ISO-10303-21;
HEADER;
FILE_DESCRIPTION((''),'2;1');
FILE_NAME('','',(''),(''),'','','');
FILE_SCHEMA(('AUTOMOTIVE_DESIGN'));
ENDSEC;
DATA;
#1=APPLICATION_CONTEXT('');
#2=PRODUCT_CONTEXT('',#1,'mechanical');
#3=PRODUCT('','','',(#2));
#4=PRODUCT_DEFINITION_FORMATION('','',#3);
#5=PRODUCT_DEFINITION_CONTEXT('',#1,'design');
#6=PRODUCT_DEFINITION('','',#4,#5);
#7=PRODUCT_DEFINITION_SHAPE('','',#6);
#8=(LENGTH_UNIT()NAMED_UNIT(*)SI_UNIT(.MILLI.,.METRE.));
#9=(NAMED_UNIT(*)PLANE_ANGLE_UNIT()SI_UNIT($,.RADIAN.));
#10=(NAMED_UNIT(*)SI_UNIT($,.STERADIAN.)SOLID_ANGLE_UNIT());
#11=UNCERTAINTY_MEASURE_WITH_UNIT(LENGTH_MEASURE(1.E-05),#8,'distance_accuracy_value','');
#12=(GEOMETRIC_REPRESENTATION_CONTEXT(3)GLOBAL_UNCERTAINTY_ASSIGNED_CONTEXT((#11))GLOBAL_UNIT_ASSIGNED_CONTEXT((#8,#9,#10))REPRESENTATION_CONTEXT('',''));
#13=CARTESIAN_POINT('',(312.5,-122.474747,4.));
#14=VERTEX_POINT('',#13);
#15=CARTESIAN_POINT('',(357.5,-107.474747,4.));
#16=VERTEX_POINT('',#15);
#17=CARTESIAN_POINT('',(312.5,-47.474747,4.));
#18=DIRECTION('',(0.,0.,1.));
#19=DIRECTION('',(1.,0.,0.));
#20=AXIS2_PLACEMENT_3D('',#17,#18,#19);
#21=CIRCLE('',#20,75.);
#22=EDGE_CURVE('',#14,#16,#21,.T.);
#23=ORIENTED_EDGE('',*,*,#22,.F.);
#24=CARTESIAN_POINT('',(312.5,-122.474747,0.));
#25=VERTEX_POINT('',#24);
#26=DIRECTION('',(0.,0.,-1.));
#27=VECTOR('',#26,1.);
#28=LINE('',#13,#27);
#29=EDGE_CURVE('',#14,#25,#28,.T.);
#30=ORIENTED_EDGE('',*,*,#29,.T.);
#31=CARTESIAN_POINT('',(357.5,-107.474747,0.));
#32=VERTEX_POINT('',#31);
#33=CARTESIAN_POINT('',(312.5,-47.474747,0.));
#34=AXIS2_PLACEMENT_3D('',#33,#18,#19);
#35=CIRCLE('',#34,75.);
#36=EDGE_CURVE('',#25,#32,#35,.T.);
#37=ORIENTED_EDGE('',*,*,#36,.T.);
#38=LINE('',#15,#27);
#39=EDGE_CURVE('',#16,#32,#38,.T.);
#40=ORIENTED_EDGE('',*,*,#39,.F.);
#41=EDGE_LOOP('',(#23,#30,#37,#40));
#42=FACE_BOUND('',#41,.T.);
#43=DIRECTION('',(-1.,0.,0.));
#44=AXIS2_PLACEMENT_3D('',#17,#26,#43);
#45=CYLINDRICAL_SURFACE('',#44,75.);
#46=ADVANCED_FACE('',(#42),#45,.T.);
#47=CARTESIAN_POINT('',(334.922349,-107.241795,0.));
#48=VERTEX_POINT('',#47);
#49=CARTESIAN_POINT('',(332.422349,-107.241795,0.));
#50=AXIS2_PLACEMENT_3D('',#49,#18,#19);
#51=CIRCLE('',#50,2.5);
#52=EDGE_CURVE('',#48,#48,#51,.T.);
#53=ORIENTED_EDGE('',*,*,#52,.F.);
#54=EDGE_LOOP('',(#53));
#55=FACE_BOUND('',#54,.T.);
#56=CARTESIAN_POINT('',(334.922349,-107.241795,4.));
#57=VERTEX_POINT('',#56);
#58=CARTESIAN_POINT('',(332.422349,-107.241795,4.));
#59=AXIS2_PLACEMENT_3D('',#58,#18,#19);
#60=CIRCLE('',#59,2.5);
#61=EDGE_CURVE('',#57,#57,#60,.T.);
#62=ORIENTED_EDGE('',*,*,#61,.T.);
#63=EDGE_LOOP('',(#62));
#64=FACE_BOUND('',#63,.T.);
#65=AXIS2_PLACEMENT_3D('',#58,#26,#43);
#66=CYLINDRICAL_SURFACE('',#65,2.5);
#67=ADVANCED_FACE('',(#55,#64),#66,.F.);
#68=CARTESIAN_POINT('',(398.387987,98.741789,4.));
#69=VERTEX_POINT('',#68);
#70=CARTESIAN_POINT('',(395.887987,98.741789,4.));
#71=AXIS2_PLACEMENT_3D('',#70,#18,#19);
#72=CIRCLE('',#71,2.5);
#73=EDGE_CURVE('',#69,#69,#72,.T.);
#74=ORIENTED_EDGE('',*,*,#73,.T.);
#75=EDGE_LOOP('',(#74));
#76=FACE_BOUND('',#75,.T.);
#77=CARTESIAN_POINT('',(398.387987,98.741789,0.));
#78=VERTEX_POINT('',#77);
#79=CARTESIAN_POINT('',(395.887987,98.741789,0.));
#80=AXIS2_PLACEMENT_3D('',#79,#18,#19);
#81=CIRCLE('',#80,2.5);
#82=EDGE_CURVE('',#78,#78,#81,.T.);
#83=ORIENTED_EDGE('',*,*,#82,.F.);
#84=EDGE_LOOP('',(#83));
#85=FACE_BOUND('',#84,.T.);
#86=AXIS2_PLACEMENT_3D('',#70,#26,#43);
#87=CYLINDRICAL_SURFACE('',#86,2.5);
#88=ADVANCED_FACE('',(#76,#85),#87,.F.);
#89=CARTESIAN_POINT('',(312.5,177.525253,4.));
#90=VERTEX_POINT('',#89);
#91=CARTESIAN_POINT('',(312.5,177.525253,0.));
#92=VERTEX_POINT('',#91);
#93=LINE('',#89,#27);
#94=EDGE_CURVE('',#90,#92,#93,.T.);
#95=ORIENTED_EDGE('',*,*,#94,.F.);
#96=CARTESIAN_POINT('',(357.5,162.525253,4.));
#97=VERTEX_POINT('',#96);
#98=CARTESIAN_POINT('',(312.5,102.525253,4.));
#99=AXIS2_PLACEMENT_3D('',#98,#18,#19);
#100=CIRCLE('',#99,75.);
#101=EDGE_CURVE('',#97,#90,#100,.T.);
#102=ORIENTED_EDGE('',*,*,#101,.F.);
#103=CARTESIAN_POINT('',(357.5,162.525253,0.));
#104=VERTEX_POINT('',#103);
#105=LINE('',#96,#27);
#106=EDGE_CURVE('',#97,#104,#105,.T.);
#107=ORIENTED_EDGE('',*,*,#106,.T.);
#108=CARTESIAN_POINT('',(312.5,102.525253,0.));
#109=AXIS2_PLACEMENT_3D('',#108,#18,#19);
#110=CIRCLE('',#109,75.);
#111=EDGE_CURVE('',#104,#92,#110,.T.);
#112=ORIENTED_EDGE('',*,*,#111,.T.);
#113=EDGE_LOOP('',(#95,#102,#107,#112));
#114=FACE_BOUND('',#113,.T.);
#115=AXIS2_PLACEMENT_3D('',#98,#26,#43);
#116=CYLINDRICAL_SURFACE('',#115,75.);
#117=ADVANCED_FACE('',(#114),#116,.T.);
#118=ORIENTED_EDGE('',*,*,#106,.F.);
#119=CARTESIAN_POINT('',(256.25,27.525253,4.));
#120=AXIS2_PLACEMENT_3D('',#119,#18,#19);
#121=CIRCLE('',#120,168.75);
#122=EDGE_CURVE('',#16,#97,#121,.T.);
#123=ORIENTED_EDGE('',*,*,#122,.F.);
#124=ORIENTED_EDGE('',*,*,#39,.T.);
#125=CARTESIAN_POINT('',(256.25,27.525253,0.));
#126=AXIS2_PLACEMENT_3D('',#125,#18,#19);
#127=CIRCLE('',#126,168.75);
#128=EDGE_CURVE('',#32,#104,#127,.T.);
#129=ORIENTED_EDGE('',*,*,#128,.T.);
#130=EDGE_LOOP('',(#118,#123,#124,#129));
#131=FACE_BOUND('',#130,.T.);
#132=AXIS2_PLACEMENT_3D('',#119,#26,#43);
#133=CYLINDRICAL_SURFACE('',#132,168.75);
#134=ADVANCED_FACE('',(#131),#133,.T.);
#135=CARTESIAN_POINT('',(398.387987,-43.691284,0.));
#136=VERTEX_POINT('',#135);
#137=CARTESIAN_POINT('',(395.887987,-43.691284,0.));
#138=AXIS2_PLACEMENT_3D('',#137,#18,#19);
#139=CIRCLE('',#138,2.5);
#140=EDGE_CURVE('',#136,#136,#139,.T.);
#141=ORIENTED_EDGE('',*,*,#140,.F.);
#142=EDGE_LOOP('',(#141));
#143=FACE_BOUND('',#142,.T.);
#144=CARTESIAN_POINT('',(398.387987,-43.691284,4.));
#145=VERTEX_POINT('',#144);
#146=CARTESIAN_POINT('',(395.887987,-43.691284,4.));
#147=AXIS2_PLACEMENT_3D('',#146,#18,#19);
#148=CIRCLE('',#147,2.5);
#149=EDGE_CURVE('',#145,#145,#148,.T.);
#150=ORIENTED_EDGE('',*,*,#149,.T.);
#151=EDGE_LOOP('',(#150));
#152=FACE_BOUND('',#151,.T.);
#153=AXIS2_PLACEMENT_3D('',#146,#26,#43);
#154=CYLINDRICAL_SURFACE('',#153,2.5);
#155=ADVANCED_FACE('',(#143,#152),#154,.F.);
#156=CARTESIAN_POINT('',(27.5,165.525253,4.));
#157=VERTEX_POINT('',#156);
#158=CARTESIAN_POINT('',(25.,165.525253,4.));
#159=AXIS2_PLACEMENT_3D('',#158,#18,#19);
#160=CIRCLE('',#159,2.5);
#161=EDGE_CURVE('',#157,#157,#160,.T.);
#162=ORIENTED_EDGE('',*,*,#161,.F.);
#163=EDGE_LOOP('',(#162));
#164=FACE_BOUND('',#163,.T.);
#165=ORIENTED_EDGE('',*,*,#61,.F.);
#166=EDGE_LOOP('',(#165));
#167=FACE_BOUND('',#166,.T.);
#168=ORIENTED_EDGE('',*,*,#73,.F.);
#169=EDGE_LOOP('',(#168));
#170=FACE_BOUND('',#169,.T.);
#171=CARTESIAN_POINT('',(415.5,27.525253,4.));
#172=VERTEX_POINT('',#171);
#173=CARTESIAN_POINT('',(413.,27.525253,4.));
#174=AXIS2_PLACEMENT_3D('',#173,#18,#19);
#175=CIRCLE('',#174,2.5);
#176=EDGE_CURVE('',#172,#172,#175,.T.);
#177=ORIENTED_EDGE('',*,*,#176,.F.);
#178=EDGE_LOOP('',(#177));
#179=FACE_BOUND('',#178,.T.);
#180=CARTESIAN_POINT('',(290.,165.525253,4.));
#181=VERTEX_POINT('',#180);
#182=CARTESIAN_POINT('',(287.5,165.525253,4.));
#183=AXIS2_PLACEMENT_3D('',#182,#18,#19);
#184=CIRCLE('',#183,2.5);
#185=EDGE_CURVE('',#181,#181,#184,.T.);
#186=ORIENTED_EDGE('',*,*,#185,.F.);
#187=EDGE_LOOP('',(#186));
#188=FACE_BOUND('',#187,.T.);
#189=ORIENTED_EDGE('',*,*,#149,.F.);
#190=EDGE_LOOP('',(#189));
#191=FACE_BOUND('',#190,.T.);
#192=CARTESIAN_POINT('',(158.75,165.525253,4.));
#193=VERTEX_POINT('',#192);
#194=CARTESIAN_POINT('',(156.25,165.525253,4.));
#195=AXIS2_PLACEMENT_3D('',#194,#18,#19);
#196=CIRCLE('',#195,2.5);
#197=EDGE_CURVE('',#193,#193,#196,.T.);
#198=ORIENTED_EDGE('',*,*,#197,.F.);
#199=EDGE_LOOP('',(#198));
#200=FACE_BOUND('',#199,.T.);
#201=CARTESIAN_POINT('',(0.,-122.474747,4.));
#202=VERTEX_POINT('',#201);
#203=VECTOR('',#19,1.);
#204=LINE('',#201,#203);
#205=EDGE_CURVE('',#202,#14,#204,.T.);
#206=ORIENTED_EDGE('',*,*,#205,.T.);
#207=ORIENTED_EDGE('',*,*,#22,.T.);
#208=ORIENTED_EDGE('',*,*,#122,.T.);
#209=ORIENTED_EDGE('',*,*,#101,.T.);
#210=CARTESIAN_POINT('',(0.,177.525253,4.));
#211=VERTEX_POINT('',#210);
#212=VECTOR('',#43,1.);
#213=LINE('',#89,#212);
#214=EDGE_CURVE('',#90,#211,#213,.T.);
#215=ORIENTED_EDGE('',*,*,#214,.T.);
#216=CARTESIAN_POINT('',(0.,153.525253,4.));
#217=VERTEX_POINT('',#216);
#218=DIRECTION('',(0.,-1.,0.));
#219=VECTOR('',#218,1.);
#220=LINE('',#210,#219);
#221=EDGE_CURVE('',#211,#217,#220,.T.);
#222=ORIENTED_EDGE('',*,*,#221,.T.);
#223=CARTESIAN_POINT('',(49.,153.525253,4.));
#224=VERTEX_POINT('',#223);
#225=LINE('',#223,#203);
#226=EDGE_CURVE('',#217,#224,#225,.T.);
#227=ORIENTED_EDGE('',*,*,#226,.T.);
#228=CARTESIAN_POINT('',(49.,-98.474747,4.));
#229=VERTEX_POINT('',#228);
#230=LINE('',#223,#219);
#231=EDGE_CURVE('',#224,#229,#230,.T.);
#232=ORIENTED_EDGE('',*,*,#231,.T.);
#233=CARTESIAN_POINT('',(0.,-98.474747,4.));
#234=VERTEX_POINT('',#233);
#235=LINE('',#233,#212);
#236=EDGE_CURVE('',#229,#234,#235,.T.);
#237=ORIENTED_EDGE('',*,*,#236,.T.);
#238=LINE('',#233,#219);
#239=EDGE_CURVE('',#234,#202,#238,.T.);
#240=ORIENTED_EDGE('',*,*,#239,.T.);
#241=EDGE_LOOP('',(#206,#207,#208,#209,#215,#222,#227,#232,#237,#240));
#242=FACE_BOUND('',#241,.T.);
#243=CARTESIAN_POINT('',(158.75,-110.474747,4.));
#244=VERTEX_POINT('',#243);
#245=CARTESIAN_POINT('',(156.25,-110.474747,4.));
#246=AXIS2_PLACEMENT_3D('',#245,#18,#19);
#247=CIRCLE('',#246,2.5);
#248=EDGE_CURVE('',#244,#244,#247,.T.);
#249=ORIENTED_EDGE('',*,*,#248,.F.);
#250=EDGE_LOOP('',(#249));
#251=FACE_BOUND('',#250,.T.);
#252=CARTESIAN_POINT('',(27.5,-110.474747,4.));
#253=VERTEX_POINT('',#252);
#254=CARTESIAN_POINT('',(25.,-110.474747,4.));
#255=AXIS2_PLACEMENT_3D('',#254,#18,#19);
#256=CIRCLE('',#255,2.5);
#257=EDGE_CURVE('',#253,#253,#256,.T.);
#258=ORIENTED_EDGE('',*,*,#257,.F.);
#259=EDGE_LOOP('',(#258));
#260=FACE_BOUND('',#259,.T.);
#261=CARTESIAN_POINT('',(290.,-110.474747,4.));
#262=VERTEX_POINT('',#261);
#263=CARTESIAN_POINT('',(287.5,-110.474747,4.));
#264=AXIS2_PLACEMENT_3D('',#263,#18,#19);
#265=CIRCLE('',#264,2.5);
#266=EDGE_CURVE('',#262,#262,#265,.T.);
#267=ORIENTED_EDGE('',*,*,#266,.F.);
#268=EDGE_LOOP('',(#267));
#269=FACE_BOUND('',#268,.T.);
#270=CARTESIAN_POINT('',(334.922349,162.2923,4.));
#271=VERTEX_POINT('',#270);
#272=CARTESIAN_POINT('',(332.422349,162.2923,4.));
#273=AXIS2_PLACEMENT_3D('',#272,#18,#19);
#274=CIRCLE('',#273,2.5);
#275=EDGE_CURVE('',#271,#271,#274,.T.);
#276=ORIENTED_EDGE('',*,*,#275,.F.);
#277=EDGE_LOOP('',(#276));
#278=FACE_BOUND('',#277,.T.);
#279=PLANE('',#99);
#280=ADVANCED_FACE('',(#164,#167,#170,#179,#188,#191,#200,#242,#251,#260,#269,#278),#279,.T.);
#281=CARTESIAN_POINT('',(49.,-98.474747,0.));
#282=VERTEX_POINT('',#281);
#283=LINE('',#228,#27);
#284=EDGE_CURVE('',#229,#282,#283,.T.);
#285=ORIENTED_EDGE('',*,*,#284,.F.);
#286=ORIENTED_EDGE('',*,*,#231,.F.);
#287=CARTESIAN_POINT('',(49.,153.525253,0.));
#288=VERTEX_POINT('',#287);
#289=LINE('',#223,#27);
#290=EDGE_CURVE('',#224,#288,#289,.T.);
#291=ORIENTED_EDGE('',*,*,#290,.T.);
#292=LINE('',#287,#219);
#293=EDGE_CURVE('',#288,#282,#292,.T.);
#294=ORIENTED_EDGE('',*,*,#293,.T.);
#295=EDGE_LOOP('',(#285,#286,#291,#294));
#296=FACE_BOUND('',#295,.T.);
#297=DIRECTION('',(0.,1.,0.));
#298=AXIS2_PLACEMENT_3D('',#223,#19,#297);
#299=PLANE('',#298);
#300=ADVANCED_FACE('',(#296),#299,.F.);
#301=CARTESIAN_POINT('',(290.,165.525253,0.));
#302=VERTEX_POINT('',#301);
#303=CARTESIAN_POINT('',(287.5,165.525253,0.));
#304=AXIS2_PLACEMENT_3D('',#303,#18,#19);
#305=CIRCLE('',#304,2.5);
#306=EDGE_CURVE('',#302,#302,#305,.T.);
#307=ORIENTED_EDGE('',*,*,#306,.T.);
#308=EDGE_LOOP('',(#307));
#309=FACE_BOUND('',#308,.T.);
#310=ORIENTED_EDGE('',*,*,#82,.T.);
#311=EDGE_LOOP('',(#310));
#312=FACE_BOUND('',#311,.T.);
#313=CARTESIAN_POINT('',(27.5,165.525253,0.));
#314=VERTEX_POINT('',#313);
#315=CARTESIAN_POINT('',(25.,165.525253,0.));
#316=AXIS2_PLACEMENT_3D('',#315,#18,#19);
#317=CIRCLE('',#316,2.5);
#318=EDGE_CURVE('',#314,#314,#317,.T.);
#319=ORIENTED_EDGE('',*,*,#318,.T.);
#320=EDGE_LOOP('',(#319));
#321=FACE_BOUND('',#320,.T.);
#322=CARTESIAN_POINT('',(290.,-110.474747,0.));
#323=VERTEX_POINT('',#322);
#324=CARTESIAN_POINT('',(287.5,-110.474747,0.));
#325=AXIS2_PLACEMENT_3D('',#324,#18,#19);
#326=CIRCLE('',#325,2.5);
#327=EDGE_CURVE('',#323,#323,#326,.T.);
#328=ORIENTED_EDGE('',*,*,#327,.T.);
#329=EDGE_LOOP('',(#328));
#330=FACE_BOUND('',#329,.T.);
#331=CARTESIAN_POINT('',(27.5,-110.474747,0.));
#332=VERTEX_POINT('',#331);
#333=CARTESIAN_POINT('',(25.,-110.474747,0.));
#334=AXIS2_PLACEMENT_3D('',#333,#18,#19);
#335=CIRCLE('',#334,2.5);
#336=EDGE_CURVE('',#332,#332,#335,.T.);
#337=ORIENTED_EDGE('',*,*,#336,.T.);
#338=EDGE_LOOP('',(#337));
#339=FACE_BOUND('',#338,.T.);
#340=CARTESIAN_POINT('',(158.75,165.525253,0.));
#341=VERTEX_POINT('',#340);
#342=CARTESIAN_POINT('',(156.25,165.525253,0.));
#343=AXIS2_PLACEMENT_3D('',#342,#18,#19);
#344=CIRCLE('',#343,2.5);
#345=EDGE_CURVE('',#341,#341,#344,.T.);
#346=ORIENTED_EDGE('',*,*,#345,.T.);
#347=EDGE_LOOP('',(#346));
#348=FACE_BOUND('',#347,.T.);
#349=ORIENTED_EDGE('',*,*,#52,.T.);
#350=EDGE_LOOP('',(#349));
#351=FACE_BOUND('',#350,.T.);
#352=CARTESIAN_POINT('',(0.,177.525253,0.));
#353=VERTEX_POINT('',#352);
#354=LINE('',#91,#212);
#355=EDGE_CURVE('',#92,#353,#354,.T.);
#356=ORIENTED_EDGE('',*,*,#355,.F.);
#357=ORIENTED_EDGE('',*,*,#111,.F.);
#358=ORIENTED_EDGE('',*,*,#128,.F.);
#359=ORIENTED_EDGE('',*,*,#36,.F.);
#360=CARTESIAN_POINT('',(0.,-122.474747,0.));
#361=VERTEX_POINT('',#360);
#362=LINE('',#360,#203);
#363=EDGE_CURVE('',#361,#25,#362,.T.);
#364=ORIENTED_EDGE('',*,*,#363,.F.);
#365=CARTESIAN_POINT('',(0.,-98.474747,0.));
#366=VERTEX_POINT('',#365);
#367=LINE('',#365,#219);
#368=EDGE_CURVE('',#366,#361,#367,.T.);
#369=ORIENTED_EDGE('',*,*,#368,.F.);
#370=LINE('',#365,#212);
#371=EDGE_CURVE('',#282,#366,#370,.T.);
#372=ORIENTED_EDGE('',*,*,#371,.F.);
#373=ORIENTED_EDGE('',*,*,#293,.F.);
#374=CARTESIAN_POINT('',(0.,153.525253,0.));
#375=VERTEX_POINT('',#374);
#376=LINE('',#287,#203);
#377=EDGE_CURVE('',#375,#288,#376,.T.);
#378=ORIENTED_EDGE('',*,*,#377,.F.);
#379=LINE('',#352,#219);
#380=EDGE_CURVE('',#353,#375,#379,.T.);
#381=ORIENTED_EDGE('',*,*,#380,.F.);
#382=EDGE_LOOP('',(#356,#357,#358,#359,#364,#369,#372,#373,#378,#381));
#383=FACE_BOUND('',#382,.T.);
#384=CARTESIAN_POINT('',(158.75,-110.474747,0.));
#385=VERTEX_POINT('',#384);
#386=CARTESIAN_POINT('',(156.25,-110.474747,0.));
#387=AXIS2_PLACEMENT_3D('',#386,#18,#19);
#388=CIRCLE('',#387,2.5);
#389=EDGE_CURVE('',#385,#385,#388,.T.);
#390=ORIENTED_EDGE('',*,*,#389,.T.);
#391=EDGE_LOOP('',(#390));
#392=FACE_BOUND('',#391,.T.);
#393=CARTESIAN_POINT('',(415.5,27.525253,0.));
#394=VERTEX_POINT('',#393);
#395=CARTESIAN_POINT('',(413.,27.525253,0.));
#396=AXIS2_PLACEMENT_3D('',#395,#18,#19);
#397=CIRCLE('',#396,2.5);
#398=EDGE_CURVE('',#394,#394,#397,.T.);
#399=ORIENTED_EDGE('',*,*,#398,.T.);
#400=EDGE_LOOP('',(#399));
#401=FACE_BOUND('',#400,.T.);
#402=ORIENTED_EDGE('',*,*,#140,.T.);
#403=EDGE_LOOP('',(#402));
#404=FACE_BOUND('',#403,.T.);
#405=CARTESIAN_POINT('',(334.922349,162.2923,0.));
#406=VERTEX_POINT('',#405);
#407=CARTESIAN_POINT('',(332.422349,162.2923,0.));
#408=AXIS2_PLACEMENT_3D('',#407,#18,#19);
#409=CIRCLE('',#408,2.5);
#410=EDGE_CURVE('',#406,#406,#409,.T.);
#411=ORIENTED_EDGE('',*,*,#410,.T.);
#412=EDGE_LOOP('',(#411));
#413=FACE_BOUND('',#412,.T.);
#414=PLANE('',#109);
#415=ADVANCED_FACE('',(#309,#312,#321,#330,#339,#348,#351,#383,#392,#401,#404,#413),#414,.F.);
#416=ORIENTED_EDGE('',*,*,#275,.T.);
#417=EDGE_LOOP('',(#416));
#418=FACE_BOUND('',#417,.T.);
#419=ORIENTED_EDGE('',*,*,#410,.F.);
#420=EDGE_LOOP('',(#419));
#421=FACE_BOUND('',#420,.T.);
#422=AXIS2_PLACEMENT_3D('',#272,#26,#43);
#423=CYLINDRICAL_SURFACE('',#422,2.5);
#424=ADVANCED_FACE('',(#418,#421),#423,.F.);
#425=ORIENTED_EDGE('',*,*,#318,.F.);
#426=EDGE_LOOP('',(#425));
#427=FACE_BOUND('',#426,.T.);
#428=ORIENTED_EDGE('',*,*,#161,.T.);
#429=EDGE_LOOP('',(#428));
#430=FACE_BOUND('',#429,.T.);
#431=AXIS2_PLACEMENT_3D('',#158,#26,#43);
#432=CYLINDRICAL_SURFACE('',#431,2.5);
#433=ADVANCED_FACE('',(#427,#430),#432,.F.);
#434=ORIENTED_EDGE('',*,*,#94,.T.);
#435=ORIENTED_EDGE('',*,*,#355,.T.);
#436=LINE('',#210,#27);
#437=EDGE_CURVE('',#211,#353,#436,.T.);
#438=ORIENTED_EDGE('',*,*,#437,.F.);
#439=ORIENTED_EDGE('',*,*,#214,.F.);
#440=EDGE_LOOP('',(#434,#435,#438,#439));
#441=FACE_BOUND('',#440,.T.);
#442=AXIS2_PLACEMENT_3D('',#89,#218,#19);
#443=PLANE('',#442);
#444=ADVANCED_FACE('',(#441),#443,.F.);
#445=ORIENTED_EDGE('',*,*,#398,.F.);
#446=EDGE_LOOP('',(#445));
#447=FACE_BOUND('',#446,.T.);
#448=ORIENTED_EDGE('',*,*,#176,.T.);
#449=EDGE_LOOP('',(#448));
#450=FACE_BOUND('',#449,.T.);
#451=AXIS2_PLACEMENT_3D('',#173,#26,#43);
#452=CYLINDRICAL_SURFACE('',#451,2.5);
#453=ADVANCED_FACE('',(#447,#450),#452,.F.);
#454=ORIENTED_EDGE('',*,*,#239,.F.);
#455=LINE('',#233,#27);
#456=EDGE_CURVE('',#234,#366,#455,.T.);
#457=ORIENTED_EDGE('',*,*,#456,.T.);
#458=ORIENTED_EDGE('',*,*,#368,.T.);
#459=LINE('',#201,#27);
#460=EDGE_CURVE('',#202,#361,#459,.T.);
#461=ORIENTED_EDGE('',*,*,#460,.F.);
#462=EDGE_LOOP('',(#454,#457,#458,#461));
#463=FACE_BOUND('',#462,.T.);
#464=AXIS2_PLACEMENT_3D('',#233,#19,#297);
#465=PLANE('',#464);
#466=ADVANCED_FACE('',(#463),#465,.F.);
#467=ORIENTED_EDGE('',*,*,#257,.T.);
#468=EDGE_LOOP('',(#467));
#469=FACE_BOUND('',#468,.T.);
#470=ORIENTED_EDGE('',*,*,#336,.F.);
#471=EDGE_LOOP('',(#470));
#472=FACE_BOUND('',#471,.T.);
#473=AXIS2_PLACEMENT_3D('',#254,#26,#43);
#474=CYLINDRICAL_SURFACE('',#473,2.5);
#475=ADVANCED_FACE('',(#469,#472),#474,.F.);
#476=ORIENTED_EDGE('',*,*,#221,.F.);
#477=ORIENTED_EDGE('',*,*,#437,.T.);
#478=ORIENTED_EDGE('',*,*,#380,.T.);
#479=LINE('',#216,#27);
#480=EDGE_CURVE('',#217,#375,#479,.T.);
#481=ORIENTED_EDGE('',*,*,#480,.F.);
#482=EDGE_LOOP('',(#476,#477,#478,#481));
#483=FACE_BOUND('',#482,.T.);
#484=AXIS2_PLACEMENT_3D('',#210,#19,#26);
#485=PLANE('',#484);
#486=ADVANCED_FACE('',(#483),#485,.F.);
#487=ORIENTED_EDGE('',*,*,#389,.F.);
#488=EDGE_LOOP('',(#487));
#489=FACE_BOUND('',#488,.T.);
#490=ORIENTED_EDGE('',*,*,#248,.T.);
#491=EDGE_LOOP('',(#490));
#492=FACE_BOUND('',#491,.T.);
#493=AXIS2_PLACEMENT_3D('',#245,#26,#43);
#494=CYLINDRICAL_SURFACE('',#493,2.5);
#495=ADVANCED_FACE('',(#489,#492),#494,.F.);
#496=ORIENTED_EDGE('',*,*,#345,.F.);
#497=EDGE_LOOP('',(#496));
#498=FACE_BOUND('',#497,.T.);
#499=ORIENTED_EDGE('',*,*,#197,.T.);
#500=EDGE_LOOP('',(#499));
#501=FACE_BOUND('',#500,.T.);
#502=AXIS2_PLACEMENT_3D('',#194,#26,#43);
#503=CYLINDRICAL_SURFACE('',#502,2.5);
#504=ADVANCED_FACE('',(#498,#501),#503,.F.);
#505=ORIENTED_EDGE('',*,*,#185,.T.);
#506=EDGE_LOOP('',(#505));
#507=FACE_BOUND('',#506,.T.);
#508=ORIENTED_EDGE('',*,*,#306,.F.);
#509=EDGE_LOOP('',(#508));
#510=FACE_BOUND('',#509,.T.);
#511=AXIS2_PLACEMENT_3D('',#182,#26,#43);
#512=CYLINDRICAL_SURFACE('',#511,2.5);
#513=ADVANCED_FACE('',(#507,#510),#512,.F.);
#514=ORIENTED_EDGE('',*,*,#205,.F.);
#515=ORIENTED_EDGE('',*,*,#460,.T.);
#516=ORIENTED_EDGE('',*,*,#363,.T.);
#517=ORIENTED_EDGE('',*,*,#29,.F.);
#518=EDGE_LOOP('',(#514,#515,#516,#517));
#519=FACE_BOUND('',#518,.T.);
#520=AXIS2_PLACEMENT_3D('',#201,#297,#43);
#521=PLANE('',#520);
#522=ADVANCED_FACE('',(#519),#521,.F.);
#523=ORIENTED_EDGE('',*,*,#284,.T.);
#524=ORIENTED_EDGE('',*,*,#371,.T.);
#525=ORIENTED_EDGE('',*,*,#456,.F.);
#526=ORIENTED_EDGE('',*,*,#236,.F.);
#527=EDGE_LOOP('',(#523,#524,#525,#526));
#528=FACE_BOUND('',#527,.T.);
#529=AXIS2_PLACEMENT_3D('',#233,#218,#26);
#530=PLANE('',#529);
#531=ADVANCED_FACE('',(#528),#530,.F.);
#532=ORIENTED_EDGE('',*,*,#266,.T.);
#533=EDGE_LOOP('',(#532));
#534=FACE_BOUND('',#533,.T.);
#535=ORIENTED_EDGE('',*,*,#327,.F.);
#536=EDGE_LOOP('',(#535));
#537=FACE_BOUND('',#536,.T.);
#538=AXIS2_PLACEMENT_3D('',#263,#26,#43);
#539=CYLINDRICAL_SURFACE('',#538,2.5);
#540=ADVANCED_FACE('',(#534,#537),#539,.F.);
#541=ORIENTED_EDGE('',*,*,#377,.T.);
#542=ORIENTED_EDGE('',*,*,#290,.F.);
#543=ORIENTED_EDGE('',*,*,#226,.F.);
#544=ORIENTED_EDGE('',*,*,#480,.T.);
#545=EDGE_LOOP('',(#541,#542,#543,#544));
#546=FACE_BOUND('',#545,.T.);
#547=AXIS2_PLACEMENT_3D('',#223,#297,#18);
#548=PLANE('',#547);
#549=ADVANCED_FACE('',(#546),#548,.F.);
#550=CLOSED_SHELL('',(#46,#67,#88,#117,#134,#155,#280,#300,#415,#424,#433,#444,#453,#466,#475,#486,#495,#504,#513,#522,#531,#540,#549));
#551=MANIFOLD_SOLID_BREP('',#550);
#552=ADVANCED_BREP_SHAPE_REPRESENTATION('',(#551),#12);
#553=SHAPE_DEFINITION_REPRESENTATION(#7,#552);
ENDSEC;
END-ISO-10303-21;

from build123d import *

# Parameters (mm, degrees)
SKETCH1_R           = 2.5
BOSS_EXTRUDE1_DEPTH = 4


with BuildPart() as part:
    # Sketch1 → Boss-Extrude1 (new body)
    with BuildSketch(Plane.XY):
        with BuildLine():
            Line((0, -122.474747475), (312.5, -122.474747475))
            ThreePointArc((312.5, -122.474747475), (336.217082451, -118.625994829), (357.5, -107.474747475))
            ThreePointArc((357.5, -107.474747475), (425, 27.525252525), (357.5, 162.525252525))
            ThreePointArc((357.5, 162.525252525), (336.217082451, 173.676499879), (312.5, 177.525252525))
            Line((312.5, 177.525252525), (0, 177.525252525))
            Line((0, 177.525252525), (0, 153.525252525))
            Line((0, 153.525252525), (49, 153.525252525))
            Line((49, 153.525252525), (49, -98.474747475))
            Line((49, -98.474747475), (0, -98.474747475))
            Line((0, -98.474747475), (0, -122.474747475))
        make_face()
        with Locations((25, 165.525252525)):
            Circle(SKETCH1_R, mode=Mode.SUBTRACT)
        with Locations((156.25, 165.525252525)):
            Circle(SKETCH1_R, mode=Mode.SUBTRACT)
        with Locations((287.5, 165.525252525)):
            Circle(SKETCH1_R, mode=Mode.SUBTRACT)
        with Locations((332.422349259, 162.292300302)):
            Circle(SKETCH1_R, mode=Mode.SUBTRACT)
        with Locations((395.887987253, 98.741788638)):
            Circle(SKETCH1_R, mode=Mode.SUBTRACT)
        with Locations((413, 27.525252525)):
            Circle(SKETCH1_R, mode=Mode.SUBTRACT)
        with Locations((395.887987253, -43.691283587)):
            Circle(SKETCH1_R, mode=Mode.SUBTRACT)
        with Locations((332.422349259, -107.241795252)):
            Circle(SKETCH1_R, mode=Mode.SUBTRACT)
        with Locations((287.5, -110.474747475)):
            Circle(SKETCH1_R, mode=Mode.SUBTRACT)
        with Locations((156.25, -110.474747475)):
            Circle(SKETCH1_R, mode=Mode.SUBTRACT)
        with Locations((25, -110.474747475)):
            Circle(SKETCH1_R, mode=Mode.SUBTRACT)
    extrude(amount=BOSS_EXTRUDE1_DEPTH)


solid = part.part
